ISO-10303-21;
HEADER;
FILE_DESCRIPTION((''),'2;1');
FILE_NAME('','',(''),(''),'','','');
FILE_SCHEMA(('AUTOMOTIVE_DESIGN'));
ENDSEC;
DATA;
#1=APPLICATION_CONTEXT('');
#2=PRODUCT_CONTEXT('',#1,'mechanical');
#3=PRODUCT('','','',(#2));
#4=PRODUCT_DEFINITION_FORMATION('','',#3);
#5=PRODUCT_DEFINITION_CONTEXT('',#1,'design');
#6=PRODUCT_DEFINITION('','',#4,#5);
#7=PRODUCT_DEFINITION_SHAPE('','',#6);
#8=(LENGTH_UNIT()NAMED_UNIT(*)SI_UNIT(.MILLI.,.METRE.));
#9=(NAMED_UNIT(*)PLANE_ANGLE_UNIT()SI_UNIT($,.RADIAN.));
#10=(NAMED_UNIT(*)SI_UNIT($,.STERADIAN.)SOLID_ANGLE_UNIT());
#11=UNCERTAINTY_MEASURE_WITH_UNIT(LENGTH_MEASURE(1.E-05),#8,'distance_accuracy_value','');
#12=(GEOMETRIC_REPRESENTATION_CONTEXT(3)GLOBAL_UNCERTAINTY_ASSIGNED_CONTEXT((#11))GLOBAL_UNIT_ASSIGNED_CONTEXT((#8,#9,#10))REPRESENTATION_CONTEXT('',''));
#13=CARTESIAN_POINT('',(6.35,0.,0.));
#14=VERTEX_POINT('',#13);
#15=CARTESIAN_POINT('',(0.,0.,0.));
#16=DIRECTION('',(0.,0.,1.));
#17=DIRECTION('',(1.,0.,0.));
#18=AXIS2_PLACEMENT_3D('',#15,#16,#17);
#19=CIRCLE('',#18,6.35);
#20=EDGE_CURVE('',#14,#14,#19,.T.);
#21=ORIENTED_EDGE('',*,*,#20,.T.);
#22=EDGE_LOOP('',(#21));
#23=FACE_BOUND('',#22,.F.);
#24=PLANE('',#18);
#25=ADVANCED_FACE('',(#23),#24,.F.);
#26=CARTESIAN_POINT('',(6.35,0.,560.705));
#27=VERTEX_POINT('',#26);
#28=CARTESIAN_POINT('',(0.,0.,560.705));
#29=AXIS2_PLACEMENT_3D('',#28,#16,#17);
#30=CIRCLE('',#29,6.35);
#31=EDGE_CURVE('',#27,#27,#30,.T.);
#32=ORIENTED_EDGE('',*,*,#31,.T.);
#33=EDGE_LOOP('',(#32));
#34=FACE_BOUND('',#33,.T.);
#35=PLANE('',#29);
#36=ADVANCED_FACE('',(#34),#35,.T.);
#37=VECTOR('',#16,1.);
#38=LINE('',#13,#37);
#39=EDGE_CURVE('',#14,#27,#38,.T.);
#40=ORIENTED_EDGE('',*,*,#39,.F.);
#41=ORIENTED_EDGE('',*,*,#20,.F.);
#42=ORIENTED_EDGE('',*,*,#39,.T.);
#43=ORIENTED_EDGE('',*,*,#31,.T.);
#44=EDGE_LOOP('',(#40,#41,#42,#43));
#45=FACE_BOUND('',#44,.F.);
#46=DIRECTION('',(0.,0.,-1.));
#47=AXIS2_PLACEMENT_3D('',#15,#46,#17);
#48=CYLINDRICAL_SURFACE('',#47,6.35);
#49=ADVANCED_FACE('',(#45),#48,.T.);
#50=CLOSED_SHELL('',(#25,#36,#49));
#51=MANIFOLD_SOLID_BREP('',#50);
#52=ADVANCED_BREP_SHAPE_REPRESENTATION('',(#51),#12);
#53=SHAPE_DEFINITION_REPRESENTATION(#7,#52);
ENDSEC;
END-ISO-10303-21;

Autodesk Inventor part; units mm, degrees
ref_plane "YZ Plane" through (0, 0, 0) normal (1, 0, 0) x (0, 1, 0)
ref_plane "XZ Plane" through (0, 0, 0) normal (0, 1, 0) x (-1, 0, 0)
ref_plane "XY Plane" through (0, 0, 0) normal (0, 0, 1) x (1, 0, 0)
sketch "Sketch1" plane through (0, 0, 0) normal (0, 0, 1) x (1, 0, 0)
  circle A0 centre (0, 0) radius 6.35
  dimension "d3" = 12.7
  dimension "d3" = 12.7
extrude "Extrusion3" add sketch "Sketch1" along normal blind 560.705
properties part number "Elevator Axle"
